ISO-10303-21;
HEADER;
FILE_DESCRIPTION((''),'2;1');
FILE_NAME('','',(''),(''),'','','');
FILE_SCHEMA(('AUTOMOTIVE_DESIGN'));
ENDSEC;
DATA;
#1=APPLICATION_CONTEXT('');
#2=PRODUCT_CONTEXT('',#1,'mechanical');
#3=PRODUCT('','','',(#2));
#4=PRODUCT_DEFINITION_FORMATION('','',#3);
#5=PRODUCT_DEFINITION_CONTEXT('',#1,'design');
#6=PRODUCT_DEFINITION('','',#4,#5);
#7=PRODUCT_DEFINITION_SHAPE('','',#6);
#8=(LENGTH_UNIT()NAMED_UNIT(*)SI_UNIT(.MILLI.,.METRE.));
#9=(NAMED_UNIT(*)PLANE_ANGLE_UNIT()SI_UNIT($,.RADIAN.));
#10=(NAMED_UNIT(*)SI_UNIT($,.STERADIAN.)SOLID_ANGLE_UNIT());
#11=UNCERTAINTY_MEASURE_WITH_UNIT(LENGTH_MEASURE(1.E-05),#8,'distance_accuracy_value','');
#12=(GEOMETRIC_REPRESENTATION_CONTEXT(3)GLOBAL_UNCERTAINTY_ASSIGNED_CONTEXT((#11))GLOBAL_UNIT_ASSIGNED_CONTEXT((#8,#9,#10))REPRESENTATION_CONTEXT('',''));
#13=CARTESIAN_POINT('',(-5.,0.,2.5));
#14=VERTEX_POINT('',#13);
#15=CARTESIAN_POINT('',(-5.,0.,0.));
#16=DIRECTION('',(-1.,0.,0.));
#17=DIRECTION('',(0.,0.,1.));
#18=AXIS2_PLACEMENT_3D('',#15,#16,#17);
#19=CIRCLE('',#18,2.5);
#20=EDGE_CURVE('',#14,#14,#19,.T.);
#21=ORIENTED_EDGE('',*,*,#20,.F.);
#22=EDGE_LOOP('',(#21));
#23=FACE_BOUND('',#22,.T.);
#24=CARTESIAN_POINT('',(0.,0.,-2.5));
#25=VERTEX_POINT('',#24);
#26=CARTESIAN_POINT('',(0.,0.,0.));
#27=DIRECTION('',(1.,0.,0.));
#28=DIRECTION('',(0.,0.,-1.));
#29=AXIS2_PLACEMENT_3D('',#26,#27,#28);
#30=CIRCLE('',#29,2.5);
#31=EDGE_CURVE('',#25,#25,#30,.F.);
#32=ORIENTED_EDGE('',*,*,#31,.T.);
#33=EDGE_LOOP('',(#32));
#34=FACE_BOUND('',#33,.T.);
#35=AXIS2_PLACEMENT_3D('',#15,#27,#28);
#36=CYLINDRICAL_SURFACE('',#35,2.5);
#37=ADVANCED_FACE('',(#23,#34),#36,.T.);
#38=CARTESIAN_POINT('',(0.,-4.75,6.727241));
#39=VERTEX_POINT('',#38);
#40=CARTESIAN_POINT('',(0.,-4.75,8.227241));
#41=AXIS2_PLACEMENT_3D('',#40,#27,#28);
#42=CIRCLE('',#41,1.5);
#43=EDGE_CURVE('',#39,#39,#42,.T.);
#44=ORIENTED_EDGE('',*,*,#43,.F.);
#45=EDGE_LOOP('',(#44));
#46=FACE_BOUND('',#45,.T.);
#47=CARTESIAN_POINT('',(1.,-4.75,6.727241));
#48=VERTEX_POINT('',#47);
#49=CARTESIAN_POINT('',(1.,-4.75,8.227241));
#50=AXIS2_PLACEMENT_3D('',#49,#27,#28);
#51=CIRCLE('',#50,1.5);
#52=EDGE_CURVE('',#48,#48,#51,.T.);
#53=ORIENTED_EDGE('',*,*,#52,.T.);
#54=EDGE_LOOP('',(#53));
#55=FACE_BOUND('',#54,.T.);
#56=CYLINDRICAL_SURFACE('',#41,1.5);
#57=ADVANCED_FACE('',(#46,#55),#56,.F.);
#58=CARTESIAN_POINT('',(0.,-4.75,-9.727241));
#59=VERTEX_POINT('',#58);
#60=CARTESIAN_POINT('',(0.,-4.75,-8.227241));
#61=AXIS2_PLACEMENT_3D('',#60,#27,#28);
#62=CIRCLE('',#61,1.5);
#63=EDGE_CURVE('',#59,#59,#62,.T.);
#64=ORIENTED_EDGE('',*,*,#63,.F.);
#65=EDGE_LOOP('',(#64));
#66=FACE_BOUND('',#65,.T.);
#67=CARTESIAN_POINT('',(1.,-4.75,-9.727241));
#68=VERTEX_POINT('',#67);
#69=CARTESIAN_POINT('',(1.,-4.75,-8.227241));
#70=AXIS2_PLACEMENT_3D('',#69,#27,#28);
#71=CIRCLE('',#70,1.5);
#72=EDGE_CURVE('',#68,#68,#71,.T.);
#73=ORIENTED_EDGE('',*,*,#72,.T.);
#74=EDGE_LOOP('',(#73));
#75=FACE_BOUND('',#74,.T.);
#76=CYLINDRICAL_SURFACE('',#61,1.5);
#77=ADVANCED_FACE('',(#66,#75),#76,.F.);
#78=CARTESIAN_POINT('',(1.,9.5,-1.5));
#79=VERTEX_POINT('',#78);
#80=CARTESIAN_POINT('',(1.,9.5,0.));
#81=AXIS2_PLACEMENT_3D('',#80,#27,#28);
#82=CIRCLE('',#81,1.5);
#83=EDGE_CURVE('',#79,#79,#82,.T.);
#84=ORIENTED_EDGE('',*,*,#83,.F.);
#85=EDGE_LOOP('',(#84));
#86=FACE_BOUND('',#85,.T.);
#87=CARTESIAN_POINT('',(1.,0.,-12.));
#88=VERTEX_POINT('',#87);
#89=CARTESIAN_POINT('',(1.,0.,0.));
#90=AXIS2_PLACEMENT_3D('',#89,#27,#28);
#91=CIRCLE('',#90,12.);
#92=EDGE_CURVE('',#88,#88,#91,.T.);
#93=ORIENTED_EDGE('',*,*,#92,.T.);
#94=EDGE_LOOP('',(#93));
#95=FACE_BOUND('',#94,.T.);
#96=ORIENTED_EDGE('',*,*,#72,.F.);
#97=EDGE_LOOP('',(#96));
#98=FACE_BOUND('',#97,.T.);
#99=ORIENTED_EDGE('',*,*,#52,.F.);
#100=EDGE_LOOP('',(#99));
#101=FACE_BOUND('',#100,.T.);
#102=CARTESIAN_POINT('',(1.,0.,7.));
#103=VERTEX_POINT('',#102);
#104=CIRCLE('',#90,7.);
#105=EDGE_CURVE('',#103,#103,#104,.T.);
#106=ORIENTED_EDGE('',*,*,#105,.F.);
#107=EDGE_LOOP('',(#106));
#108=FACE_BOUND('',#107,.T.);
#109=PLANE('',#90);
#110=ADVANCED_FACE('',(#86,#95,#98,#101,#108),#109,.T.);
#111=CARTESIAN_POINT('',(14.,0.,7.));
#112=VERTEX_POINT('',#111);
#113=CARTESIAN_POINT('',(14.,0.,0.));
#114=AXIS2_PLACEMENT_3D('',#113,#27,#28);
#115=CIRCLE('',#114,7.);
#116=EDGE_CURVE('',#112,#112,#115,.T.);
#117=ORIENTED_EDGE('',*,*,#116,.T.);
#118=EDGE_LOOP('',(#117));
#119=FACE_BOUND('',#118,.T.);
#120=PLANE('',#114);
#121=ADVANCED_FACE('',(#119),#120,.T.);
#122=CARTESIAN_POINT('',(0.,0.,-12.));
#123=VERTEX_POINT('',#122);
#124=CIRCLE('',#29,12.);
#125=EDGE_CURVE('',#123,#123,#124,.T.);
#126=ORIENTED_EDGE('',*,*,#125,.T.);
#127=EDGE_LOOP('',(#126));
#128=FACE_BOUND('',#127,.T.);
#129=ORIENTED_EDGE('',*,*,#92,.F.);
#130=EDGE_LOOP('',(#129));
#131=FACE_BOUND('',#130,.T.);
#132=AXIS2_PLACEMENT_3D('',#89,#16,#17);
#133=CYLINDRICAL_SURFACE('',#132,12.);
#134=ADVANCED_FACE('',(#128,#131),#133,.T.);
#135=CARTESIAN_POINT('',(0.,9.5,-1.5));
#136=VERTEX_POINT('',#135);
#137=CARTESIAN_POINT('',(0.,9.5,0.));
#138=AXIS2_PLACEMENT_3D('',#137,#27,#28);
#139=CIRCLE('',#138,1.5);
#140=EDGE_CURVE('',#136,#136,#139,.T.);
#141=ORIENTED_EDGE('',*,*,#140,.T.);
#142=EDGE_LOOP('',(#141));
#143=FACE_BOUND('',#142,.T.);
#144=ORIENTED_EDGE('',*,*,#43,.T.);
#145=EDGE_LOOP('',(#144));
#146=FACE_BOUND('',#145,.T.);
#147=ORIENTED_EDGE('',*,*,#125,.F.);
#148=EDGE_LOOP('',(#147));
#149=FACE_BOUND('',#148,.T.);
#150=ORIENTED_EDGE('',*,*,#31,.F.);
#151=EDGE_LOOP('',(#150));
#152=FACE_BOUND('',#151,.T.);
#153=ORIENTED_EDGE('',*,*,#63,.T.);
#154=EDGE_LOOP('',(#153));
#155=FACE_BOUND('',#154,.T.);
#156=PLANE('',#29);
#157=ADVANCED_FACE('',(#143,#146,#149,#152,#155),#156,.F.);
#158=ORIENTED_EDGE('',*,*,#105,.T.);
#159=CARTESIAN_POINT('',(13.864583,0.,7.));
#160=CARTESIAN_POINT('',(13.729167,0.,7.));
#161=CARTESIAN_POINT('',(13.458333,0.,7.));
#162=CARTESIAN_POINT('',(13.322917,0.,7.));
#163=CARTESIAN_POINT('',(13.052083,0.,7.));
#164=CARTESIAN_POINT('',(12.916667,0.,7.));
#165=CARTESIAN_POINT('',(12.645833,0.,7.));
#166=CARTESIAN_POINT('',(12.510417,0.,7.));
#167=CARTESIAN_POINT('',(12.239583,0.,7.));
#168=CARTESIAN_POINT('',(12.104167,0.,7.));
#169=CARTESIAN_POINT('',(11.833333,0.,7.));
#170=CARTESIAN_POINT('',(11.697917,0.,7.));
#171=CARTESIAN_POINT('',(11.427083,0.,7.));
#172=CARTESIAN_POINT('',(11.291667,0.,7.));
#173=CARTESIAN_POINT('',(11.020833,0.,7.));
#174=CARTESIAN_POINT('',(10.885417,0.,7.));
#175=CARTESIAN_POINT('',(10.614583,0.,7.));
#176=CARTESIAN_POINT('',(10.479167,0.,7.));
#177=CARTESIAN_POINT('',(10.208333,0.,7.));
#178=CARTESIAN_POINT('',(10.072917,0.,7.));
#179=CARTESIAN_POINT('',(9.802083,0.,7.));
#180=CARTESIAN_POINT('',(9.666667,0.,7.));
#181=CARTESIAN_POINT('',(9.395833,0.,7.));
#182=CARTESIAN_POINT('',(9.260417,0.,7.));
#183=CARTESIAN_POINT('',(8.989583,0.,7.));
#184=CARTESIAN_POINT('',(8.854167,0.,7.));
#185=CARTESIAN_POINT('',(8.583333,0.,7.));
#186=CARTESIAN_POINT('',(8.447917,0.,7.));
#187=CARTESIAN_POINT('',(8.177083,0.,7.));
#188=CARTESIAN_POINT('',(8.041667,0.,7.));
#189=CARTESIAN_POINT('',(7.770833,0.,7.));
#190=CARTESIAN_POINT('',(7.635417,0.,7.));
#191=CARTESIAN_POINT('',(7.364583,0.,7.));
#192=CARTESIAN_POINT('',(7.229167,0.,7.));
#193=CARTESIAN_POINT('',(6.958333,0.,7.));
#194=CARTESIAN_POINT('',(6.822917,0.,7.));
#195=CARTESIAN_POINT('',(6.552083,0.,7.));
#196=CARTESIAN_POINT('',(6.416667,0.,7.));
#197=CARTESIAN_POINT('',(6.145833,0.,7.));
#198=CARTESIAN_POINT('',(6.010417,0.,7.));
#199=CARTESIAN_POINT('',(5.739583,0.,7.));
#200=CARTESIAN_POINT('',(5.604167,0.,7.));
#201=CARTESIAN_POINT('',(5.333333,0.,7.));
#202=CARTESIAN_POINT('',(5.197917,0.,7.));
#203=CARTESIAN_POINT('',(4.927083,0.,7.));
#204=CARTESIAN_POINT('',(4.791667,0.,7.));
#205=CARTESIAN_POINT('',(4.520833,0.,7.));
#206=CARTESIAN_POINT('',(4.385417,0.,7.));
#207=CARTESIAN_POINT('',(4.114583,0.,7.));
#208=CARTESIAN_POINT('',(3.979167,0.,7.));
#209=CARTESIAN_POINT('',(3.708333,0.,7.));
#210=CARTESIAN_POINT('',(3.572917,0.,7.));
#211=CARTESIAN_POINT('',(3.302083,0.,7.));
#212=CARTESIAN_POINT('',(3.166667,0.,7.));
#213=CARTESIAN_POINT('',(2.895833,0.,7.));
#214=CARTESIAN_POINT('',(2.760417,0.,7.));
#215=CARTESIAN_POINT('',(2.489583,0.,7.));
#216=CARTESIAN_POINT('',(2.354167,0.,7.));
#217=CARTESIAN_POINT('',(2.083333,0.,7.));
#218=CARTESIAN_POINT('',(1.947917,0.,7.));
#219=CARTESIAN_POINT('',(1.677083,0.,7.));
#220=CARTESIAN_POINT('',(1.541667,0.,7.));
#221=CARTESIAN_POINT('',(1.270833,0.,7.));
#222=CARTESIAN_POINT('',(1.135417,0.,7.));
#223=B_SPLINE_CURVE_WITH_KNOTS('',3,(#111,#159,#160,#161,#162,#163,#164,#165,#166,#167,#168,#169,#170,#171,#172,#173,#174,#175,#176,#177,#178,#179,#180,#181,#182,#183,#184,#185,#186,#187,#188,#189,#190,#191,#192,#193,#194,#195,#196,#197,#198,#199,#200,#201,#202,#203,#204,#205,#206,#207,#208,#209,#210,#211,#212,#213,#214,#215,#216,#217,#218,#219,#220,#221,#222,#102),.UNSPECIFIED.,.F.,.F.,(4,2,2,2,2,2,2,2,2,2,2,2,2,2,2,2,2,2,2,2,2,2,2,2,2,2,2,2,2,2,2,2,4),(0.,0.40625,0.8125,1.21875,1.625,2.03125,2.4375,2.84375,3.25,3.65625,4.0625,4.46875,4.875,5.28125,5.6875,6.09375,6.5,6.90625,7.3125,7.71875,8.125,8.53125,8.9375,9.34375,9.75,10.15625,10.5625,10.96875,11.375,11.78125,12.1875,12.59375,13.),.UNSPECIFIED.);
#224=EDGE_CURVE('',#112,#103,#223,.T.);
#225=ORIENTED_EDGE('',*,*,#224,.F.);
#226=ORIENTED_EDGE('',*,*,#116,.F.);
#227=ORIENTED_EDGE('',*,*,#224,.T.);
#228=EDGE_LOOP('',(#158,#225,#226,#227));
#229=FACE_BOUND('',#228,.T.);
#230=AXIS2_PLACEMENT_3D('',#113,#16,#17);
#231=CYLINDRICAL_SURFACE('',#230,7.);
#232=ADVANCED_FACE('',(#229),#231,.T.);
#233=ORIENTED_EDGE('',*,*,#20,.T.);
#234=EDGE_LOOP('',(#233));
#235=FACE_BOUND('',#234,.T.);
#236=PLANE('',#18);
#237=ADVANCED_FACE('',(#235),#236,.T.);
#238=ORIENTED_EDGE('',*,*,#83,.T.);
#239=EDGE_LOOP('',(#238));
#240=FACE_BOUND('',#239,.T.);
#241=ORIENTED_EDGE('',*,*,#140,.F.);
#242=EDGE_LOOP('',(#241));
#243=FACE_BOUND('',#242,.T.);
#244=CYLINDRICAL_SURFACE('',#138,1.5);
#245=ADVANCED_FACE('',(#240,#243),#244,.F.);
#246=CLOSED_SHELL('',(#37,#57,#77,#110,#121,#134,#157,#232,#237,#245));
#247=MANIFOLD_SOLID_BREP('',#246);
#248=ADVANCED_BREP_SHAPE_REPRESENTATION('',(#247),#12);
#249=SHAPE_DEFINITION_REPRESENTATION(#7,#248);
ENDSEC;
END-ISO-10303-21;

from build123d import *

# Parameters (mm, degrees)
SKETCH1_R           = 12
BOSS_EXTRUDE1_DEPTH = 1
SKETCH2_R           = 7
BOSS_EXTRUDE2_DEPTH = 13
SKETCH3_R           = 1.5
CUT_EXTRUDE1_DEPTH  = 1
SKETCH4_R           = 2.5
BOSS_EXTRUDE3_DEPTH = 5


with BuildPart() as part:
    # Sketch1 → Boss-Extrude1 (new body)
    with BuildSketch(Plane(origin=(0, 0, 0), x_dir=(0, 0, -1), z_dir=(1, 0, 0))):
        Circle(SKETCH1_R)
    extrude(amount=BOSS_EXTRUDE1_DEPTH)

    # Sketch2 → Boss-Extrude2 (add)
    with BuildSketch(Plane(origin=(1, 0, 0), x_dir=(0, 0, -1), z_dir=(1, 0, 0))):
        with Locations(Location((0, 0, 0), (0, 0, 180))):
            Circle(SKETCH2_R)
    extrude(amount=BOSS_EXTRUDE2_DEPTH)

    # Sketch3 → Cut-Extrude1 (cut)
    with BuildSketch(Plane(origin=(1, 0, 0), x_dir=(0, 0, -1), z_dir=(1, 0, 0))):
        with Locations((0, 9.5)):
            Circle(SKETCH3_R)
        with Locations((8.227241336, -4.75)):
            Circle(SKETCH3_R)
        with Locations((-8.227241336, -4.75)):
            Circle(SKETCH3_R)
    extrude(amount=-CUT_EXTRUDE1_DEPTH, mode=Mode.SUBTRACT)

    # Sketch4 → Boss-Extrude3 (add)
    with BuildSketch(Plane.ZY):
        with Locations(Location((0, 0, 0), (0, 0, 180))):
            Circle(SKETCH4_R)
    extrude(amount=BOSS_EXTRUDE3_DEPTH)


solid = part.part
